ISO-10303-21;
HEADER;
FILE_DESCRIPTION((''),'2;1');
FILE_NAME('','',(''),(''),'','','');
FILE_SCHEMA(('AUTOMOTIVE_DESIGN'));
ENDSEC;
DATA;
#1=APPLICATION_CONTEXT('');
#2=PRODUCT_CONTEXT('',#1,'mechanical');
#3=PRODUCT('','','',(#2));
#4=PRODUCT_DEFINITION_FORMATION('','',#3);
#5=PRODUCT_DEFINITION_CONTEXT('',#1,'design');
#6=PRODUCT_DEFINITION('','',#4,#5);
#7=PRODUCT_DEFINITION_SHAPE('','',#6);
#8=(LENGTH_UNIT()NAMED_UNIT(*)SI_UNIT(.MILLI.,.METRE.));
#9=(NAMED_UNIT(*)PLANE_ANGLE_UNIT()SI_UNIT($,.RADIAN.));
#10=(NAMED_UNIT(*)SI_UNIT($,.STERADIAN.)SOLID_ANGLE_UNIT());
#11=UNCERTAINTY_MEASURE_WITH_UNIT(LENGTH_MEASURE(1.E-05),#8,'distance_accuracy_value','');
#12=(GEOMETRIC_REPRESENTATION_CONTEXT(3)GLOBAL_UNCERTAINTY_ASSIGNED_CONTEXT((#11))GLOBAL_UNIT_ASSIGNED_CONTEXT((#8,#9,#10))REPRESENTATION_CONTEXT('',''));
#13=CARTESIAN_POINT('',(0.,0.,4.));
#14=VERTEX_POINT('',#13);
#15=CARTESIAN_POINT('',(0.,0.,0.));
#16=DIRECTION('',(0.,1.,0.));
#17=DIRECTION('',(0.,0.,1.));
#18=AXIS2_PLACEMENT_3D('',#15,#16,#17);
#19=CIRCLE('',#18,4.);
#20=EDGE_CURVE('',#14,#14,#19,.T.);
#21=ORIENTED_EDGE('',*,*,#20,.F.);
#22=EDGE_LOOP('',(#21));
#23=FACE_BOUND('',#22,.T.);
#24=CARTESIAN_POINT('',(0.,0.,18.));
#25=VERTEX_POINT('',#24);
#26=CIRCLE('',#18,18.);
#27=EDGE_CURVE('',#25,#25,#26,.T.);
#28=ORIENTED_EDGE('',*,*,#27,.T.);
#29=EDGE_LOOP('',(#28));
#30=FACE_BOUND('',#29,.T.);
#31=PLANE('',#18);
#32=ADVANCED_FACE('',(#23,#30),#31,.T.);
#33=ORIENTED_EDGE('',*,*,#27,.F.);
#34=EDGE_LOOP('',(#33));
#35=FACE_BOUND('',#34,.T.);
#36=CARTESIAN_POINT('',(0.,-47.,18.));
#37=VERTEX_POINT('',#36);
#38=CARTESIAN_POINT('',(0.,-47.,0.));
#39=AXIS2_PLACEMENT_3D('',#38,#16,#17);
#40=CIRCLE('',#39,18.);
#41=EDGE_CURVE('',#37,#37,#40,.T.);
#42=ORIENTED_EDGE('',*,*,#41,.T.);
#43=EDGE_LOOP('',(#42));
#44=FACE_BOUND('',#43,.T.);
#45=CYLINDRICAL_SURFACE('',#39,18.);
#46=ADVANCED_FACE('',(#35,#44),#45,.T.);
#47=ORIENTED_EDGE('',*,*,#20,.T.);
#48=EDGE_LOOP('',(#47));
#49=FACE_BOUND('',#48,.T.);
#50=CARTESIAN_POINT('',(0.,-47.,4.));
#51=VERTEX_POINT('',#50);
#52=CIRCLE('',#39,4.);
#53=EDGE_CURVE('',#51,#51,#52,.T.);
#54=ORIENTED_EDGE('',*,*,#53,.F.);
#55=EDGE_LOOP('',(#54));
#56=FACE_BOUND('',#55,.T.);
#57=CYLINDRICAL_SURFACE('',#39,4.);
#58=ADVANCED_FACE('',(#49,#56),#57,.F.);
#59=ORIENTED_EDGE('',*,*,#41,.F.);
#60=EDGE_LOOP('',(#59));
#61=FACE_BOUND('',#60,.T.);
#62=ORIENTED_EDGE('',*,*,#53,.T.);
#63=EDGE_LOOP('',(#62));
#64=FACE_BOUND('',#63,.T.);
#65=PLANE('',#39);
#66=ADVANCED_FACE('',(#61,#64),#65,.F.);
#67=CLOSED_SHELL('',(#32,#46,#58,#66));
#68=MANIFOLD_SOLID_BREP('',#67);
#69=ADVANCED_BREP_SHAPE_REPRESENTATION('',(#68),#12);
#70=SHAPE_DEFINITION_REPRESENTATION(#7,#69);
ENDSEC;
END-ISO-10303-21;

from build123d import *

# Parameters (mm, degrees)
SKETCH1_R           = 18
SKETCH1_R_2         = 4
BOSS_EXTRUDE1_DEPTH = 47


with BuildPart() as part:
    # Sketch1 → Boss-Extrude1 (new body)
    with BuildSketch(Plane(origin=(0, 0, 0), x_dir=(1, 0, 0), z_dir=(0, 1, 0))):
        with Locations(Location((0, 0, 0), (0, 0, 270))):
            Circle(SKETCH1_R)
        with Locations(Location((0, 0, 0), (0, 0, 270))):
            Circle(SKETCH1_R_2, mode=Mode.SUBTRACT)
    extrude(amount=-BOSS_EXTRUDE1_DEPTH)


solid = part.part
